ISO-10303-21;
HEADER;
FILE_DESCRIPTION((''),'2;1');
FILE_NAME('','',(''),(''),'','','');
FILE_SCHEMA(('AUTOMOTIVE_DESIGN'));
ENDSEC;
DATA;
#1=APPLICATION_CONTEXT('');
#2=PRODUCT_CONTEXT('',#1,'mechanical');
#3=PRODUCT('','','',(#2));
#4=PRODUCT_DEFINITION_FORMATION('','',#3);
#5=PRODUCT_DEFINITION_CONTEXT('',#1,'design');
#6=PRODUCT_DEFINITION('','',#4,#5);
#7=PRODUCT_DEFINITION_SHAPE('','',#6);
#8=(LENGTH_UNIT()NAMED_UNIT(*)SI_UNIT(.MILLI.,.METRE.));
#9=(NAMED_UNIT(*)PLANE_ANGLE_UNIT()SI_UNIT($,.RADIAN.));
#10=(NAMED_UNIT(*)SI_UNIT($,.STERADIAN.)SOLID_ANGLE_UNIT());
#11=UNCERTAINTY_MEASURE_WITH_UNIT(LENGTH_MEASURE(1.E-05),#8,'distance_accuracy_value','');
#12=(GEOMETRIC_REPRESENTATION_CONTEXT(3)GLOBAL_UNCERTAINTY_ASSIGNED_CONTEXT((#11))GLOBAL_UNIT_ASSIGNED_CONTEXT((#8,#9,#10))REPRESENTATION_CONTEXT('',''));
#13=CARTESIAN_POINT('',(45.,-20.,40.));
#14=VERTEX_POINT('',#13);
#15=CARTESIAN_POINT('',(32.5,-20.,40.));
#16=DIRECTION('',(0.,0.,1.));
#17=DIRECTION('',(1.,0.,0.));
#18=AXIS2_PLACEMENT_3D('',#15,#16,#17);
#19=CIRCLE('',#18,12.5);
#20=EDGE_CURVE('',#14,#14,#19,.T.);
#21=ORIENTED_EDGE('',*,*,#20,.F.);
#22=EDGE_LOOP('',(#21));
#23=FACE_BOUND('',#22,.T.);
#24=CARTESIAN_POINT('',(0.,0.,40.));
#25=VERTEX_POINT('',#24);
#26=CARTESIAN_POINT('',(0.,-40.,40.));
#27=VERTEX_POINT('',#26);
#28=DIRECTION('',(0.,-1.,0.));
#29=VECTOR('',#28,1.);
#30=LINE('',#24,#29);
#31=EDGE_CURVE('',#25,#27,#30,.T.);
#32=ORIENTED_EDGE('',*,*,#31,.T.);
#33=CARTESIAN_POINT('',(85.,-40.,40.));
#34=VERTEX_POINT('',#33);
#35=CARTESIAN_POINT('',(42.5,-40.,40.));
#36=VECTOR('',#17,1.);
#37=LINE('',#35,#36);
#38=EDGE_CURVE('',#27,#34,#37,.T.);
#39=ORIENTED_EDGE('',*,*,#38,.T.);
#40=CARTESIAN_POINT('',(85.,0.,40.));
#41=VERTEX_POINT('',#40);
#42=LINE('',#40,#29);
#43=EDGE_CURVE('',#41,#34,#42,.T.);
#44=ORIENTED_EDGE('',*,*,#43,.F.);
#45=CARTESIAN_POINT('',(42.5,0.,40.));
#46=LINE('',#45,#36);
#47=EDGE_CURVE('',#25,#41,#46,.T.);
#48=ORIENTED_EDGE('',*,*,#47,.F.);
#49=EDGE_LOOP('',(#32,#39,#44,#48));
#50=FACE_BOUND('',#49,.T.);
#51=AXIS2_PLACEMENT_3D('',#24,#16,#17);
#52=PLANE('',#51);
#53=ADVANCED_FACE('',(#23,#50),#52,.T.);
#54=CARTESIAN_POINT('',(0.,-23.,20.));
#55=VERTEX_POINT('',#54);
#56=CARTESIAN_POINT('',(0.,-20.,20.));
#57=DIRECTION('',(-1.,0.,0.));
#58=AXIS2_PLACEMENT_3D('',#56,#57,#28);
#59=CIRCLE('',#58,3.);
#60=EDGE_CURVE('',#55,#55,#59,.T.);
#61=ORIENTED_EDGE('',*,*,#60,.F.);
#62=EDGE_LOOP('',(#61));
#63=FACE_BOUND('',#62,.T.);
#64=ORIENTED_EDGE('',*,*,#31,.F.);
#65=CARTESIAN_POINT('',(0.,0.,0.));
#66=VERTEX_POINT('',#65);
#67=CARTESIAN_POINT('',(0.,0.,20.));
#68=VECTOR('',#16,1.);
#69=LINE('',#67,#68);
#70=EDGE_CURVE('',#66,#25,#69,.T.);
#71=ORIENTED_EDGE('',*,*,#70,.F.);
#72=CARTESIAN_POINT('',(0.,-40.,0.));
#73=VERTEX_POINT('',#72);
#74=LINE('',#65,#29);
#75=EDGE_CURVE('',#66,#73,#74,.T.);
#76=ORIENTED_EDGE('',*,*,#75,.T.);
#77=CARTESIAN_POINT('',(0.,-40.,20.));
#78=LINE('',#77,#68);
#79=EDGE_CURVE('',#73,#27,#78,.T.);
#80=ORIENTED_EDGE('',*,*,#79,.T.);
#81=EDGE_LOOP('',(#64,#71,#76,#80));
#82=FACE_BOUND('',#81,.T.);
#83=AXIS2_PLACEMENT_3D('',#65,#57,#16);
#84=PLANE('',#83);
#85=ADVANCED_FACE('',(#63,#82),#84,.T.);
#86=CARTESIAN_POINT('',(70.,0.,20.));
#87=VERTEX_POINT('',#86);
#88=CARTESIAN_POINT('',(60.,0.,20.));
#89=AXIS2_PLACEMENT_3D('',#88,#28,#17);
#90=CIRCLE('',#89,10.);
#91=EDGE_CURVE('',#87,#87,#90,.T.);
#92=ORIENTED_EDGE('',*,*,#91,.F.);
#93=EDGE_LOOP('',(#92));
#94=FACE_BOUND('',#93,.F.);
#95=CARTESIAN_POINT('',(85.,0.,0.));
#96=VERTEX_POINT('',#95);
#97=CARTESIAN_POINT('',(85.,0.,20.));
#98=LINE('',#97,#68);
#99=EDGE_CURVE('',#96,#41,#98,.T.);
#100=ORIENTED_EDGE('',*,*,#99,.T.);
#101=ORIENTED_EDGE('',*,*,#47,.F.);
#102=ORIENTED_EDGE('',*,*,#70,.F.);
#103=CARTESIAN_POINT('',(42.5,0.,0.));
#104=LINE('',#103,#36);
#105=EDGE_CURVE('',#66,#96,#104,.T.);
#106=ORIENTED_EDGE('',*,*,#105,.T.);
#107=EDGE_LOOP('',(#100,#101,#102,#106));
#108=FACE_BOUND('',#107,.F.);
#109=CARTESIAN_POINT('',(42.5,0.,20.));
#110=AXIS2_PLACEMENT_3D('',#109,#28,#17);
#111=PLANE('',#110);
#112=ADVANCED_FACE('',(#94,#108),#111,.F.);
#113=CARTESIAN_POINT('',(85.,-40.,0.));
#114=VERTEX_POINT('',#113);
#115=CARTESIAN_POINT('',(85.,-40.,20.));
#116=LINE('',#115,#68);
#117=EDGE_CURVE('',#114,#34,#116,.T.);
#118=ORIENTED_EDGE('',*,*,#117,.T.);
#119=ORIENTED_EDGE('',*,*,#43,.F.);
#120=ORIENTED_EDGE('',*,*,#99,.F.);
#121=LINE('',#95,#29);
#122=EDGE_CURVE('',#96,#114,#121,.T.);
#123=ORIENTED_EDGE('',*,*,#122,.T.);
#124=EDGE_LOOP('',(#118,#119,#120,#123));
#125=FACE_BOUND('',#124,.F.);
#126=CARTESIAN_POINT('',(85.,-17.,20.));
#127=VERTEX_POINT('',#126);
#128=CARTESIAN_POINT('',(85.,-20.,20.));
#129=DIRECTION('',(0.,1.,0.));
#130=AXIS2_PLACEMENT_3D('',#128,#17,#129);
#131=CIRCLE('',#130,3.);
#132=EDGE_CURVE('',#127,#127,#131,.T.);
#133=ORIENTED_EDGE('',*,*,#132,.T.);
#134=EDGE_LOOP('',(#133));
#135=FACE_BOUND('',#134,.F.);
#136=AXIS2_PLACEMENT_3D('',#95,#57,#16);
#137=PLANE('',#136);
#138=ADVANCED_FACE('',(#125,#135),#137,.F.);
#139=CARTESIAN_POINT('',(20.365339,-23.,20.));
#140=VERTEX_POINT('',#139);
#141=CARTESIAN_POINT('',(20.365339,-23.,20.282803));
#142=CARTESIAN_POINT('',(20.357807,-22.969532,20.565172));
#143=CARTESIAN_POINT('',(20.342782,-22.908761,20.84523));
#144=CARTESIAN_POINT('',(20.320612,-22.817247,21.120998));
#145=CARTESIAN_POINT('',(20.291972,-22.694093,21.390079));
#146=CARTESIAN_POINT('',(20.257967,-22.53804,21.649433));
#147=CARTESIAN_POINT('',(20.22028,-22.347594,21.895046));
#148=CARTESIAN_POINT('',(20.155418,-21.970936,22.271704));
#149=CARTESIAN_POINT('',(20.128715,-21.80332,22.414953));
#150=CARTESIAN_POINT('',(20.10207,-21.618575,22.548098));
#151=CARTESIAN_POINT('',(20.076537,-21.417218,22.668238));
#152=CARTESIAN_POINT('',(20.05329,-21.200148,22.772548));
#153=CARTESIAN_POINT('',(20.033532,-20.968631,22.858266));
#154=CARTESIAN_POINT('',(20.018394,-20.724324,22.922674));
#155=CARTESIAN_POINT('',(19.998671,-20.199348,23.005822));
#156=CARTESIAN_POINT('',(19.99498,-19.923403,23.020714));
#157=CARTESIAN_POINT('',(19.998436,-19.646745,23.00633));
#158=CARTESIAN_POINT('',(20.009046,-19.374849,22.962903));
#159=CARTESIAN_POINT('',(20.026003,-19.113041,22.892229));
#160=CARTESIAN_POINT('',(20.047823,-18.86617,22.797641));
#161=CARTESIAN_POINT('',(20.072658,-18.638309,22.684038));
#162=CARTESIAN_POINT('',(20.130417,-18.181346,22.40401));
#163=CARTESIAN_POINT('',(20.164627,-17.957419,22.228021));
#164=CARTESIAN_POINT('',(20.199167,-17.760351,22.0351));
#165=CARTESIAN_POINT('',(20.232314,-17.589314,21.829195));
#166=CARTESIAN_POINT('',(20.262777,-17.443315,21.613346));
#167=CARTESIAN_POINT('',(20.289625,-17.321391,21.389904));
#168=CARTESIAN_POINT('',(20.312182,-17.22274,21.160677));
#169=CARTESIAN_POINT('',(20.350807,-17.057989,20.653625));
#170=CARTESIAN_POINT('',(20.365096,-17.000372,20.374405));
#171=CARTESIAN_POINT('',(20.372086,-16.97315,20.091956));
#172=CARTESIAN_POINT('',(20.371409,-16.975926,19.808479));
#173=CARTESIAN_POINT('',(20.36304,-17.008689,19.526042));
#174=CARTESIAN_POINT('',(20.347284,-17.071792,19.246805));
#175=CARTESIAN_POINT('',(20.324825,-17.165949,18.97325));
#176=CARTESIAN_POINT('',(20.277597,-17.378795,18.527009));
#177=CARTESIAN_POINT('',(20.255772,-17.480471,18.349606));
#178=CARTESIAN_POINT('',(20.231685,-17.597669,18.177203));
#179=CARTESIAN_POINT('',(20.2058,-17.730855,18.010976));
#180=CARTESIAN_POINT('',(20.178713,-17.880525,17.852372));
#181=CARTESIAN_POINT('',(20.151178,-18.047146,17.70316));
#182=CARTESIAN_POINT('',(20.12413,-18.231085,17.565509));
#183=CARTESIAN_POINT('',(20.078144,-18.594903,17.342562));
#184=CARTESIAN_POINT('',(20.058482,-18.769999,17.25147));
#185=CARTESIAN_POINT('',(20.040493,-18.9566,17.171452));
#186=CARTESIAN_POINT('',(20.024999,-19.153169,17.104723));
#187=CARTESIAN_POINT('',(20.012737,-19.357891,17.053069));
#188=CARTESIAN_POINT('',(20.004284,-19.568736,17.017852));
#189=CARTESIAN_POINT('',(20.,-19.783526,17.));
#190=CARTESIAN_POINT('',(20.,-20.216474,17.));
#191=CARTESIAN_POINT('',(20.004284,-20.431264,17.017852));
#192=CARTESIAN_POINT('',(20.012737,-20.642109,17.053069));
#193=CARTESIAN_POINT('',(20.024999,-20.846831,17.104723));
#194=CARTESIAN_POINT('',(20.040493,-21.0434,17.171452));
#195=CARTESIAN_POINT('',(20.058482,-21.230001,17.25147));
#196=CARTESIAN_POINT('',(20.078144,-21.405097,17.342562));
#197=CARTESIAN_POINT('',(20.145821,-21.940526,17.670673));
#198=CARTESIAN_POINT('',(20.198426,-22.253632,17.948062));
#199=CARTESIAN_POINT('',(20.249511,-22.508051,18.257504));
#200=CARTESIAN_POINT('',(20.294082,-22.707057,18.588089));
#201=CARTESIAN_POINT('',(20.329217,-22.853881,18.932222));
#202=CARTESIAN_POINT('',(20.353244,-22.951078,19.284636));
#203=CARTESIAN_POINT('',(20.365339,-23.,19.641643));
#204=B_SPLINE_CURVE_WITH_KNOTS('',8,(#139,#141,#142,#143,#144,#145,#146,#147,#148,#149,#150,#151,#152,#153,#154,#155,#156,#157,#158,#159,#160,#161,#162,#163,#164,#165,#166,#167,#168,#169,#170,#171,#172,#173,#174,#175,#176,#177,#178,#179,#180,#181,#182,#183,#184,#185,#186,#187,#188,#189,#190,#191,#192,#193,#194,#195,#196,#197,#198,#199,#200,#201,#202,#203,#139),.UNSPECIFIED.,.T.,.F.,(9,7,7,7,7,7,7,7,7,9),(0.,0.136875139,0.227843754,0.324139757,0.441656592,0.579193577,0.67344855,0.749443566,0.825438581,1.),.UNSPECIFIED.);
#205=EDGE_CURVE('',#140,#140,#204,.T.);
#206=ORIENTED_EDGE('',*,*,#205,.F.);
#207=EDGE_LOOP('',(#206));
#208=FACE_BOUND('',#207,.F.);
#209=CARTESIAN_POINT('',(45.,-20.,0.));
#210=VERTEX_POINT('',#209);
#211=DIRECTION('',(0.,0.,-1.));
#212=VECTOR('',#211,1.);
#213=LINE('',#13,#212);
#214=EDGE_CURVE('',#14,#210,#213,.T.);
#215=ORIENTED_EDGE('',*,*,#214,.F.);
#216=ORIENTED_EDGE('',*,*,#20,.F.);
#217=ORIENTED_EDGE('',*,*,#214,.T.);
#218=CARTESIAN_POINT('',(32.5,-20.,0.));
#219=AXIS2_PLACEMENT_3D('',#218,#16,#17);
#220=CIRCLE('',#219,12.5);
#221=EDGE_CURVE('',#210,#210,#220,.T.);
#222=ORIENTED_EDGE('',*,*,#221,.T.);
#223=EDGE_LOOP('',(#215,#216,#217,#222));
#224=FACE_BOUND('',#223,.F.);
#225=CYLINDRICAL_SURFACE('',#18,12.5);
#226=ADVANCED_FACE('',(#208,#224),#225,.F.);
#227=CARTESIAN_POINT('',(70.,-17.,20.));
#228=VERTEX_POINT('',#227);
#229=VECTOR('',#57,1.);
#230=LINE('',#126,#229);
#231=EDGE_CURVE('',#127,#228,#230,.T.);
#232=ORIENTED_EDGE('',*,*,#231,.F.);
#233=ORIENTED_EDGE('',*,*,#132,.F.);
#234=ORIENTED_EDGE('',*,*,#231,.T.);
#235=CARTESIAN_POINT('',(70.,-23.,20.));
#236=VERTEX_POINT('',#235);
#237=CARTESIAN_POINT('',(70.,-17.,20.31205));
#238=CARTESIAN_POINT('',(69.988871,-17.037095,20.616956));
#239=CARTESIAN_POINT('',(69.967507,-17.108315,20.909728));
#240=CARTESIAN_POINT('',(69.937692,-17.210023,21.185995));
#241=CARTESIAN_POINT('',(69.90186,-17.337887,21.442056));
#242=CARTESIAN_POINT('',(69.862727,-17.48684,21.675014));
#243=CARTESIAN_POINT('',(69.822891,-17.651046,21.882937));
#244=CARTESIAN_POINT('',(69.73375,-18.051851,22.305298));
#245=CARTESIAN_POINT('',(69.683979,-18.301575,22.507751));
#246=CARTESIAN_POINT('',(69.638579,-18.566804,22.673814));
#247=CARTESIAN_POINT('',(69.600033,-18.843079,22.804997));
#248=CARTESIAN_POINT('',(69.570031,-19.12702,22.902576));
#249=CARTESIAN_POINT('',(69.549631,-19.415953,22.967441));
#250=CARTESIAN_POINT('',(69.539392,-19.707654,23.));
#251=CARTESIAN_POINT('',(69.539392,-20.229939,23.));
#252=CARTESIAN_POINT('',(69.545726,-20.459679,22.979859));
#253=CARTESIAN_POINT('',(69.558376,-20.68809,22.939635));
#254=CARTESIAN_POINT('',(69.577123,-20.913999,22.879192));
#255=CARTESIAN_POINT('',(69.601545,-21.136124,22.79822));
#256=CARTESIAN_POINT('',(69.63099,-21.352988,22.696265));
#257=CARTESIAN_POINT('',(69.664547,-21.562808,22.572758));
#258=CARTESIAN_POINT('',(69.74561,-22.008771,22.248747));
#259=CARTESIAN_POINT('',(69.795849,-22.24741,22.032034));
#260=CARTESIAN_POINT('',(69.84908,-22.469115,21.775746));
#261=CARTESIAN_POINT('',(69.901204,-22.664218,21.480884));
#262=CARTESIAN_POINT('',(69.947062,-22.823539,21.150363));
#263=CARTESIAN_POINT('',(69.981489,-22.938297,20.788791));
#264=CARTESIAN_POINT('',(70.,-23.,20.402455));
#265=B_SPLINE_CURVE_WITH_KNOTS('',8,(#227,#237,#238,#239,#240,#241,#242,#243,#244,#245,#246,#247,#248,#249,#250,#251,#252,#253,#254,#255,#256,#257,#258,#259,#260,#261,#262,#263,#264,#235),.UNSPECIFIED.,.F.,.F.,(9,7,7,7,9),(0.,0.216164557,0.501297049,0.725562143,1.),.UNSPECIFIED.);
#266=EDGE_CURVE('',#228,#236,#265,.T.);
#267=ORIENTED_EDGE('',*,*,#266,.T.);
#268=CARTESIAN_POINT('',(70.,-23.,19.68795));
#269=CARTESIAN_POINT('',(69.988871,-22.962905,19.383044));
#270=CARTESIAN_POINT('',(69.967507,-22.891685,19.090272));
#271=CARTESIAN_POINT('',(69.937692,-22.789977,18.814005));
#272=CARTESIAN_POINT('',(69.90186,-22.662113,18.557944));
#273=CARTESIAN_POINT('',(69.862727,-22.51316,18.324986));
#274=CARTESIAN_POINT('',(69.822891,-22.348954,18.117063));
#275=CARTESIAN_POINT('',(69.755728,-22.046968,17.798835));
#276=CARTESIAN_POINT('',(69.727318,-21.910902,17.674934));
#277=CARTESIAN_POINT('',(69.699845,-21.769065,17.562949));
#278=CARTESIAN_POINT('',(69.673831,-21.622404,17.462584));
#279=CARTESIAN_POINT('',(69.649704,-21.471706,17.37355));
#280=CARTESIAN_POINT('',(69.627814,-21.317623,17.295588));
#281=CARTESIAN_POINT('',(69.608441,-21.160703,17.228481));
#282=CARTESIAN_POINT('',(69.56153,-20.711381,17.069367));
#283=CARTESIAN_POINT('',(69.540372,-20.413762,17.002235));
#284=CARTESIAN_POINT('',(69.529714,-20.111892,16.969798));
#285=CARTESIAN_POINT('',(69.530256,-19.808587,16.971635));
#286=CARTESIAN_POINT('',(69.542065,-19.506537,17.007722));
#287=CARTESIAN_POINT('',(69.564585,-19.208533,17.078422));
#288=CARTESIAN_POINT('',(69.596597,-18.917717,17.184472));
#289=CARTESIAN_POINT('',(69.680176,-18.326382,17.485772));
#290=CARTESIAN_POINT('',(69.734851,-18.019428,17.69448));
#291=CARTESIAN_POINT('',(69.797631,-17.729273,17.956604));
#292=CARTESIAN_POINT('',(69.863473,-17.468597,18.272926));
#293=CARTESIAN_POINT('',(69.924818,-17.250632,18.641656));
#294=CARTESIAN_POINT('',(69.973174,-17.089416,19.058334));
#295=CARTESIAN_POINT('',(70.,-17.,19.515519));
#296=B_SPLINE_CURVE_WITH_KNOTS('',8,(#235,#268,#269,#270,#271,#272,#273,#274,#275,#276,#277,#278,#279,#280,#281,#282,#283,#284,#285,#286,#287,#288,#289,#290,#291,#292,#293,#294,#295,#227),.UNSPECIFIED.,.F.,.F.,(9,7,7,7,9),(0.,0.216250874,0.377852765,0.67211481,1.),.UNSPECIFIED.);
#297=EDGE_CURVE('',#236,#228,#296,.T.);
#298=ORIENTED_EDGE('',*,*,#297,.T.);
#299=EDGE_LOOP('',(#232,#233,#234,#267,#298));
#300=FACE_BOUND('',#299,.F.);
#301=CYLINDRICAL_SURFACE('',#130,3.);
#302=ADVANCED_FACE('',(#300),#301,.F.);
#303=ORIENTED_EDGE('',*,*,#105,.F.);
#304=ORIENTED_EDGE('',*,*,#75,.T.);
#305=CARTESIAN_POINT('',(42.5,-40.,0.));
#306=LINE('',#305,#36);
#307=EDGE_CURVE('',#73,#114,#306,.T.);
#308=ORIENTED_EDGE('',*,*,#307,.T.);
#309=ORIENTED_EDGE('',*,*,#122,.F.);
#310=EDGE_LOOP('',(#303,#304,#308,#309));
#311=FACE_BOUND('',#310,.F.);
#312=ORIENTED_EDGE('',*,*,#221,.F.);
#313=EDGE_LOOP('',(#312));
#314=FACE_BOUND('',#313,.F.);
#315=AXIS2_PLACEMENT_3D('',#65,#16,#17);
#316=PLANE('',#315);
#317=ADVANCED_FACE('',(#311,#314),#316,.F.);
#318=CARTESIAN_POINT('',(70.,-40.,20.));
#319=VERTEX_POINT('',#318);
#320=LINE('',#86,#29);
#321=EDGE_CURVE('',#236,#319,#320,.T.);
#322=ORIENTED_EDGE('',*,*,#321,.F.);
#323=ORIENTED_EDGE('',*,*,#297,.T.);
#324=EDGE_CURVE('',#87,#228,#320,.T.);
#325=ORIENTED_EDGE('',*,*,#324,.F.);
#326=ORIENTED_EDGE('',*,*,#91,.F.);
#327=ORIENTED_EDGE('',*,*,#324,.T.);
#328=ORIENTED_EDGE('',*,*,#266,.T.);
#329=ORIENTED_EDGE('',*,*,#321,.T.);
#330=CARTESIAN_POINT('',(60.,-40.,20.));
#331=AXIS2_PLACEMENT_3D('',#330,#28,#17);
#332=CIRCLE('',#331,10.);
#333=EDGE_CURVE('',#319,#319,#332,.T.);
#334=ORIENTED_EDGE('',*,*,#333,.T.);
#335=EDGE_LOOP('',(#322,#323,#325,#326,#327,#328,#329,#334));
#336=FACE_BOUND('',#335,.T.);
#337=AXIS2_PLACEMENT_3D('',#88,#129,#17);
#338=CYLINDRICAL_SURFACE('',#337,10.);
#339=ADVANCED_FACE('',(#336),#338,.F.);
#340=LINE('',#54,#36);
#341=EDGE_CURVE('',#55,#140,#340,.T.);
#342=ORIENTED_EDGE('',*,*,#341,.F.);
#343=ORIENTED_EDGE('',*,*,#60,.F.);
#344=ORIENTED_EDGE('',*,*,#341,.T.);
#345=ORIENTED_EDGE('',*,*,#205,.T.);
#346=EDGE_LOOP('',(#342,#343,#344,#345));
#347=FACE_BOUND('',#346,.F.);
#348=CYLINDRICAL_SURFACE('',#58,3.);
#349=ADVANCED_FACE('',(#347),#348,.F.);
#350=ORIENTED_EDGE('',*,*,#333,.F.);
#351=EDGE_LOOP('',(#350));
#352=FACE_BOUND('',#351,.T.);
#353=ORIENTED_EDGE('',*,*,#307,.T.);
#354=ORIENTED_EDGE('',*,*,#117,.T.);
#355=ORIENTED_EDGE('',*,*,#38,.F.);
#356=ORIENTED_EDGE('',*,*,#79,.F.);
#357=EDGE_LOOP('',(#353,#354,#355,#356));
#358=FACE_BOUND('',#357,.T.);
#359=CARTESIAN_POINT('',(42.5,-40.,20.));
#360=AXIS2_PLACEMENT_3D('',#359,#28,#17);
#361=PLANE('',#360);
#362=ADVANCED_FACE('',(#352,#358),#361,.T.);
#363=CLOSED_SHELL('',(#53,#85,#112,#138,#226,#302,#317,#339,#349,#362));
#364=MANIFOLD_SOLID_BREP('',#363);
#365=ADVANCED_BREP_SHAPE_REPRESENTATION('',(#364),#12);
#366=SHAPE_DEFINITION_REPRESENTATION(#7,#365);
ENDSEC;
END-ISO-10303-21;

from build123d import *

# Parameters (mm, degrees)
F0_W     = 85
F0_H     = 40
F0_R     = 10
F1_DEPTH = 40
F2_R     = 12.5
F3_DEPTH = 40.001
F4_R     = 3
F5_DEPTH = 25
F6_R     = 3
F7_DEPTH = 25


with BuildPart() as f1:
    # F0 (on Front) → F1 (new body)
    with BuildSketch(Plane.XZ):
        with Locations((42.5, 20)):
            Rectangle(F0_W, F0_H)
        with Locations((60, 20)):
            Circle(F0_R, mode=Mode.SUBTRACT)
    extrude(amount=F1_DEPTH)

    # F2 (on face) → F3 (cut, through all)
    with BuildSketch(Plane.XY.offset(40)):
        with Locations((32.5, -20)):
            Circle(F2_R)
    extrude(amount=-F3_DEPTH, mode=Mode.SUBTRACT)

    # F4 (on face) → F5 (cut)
    with BuildSketch(Plane.YZ.offset(85)):
        with Locations((-20, 20)):
            Circle(F4_R)
    extrude(amount=-F5_DEPTH, mode=Mode.SUBTRACT)

    # F6 (on face) → F7 (cut)
    with BuildSketch(Plane(origin=(0, 0, 0), x_dir=(0, -1, 0), z_dir=(-1, 0, 0))):
        with Locations((20, 20)):
            Circle(F6_R)
    extrude(amount=-F7_DEPTH, mode=Mode.SUBTRACT)


solid = f1.part
